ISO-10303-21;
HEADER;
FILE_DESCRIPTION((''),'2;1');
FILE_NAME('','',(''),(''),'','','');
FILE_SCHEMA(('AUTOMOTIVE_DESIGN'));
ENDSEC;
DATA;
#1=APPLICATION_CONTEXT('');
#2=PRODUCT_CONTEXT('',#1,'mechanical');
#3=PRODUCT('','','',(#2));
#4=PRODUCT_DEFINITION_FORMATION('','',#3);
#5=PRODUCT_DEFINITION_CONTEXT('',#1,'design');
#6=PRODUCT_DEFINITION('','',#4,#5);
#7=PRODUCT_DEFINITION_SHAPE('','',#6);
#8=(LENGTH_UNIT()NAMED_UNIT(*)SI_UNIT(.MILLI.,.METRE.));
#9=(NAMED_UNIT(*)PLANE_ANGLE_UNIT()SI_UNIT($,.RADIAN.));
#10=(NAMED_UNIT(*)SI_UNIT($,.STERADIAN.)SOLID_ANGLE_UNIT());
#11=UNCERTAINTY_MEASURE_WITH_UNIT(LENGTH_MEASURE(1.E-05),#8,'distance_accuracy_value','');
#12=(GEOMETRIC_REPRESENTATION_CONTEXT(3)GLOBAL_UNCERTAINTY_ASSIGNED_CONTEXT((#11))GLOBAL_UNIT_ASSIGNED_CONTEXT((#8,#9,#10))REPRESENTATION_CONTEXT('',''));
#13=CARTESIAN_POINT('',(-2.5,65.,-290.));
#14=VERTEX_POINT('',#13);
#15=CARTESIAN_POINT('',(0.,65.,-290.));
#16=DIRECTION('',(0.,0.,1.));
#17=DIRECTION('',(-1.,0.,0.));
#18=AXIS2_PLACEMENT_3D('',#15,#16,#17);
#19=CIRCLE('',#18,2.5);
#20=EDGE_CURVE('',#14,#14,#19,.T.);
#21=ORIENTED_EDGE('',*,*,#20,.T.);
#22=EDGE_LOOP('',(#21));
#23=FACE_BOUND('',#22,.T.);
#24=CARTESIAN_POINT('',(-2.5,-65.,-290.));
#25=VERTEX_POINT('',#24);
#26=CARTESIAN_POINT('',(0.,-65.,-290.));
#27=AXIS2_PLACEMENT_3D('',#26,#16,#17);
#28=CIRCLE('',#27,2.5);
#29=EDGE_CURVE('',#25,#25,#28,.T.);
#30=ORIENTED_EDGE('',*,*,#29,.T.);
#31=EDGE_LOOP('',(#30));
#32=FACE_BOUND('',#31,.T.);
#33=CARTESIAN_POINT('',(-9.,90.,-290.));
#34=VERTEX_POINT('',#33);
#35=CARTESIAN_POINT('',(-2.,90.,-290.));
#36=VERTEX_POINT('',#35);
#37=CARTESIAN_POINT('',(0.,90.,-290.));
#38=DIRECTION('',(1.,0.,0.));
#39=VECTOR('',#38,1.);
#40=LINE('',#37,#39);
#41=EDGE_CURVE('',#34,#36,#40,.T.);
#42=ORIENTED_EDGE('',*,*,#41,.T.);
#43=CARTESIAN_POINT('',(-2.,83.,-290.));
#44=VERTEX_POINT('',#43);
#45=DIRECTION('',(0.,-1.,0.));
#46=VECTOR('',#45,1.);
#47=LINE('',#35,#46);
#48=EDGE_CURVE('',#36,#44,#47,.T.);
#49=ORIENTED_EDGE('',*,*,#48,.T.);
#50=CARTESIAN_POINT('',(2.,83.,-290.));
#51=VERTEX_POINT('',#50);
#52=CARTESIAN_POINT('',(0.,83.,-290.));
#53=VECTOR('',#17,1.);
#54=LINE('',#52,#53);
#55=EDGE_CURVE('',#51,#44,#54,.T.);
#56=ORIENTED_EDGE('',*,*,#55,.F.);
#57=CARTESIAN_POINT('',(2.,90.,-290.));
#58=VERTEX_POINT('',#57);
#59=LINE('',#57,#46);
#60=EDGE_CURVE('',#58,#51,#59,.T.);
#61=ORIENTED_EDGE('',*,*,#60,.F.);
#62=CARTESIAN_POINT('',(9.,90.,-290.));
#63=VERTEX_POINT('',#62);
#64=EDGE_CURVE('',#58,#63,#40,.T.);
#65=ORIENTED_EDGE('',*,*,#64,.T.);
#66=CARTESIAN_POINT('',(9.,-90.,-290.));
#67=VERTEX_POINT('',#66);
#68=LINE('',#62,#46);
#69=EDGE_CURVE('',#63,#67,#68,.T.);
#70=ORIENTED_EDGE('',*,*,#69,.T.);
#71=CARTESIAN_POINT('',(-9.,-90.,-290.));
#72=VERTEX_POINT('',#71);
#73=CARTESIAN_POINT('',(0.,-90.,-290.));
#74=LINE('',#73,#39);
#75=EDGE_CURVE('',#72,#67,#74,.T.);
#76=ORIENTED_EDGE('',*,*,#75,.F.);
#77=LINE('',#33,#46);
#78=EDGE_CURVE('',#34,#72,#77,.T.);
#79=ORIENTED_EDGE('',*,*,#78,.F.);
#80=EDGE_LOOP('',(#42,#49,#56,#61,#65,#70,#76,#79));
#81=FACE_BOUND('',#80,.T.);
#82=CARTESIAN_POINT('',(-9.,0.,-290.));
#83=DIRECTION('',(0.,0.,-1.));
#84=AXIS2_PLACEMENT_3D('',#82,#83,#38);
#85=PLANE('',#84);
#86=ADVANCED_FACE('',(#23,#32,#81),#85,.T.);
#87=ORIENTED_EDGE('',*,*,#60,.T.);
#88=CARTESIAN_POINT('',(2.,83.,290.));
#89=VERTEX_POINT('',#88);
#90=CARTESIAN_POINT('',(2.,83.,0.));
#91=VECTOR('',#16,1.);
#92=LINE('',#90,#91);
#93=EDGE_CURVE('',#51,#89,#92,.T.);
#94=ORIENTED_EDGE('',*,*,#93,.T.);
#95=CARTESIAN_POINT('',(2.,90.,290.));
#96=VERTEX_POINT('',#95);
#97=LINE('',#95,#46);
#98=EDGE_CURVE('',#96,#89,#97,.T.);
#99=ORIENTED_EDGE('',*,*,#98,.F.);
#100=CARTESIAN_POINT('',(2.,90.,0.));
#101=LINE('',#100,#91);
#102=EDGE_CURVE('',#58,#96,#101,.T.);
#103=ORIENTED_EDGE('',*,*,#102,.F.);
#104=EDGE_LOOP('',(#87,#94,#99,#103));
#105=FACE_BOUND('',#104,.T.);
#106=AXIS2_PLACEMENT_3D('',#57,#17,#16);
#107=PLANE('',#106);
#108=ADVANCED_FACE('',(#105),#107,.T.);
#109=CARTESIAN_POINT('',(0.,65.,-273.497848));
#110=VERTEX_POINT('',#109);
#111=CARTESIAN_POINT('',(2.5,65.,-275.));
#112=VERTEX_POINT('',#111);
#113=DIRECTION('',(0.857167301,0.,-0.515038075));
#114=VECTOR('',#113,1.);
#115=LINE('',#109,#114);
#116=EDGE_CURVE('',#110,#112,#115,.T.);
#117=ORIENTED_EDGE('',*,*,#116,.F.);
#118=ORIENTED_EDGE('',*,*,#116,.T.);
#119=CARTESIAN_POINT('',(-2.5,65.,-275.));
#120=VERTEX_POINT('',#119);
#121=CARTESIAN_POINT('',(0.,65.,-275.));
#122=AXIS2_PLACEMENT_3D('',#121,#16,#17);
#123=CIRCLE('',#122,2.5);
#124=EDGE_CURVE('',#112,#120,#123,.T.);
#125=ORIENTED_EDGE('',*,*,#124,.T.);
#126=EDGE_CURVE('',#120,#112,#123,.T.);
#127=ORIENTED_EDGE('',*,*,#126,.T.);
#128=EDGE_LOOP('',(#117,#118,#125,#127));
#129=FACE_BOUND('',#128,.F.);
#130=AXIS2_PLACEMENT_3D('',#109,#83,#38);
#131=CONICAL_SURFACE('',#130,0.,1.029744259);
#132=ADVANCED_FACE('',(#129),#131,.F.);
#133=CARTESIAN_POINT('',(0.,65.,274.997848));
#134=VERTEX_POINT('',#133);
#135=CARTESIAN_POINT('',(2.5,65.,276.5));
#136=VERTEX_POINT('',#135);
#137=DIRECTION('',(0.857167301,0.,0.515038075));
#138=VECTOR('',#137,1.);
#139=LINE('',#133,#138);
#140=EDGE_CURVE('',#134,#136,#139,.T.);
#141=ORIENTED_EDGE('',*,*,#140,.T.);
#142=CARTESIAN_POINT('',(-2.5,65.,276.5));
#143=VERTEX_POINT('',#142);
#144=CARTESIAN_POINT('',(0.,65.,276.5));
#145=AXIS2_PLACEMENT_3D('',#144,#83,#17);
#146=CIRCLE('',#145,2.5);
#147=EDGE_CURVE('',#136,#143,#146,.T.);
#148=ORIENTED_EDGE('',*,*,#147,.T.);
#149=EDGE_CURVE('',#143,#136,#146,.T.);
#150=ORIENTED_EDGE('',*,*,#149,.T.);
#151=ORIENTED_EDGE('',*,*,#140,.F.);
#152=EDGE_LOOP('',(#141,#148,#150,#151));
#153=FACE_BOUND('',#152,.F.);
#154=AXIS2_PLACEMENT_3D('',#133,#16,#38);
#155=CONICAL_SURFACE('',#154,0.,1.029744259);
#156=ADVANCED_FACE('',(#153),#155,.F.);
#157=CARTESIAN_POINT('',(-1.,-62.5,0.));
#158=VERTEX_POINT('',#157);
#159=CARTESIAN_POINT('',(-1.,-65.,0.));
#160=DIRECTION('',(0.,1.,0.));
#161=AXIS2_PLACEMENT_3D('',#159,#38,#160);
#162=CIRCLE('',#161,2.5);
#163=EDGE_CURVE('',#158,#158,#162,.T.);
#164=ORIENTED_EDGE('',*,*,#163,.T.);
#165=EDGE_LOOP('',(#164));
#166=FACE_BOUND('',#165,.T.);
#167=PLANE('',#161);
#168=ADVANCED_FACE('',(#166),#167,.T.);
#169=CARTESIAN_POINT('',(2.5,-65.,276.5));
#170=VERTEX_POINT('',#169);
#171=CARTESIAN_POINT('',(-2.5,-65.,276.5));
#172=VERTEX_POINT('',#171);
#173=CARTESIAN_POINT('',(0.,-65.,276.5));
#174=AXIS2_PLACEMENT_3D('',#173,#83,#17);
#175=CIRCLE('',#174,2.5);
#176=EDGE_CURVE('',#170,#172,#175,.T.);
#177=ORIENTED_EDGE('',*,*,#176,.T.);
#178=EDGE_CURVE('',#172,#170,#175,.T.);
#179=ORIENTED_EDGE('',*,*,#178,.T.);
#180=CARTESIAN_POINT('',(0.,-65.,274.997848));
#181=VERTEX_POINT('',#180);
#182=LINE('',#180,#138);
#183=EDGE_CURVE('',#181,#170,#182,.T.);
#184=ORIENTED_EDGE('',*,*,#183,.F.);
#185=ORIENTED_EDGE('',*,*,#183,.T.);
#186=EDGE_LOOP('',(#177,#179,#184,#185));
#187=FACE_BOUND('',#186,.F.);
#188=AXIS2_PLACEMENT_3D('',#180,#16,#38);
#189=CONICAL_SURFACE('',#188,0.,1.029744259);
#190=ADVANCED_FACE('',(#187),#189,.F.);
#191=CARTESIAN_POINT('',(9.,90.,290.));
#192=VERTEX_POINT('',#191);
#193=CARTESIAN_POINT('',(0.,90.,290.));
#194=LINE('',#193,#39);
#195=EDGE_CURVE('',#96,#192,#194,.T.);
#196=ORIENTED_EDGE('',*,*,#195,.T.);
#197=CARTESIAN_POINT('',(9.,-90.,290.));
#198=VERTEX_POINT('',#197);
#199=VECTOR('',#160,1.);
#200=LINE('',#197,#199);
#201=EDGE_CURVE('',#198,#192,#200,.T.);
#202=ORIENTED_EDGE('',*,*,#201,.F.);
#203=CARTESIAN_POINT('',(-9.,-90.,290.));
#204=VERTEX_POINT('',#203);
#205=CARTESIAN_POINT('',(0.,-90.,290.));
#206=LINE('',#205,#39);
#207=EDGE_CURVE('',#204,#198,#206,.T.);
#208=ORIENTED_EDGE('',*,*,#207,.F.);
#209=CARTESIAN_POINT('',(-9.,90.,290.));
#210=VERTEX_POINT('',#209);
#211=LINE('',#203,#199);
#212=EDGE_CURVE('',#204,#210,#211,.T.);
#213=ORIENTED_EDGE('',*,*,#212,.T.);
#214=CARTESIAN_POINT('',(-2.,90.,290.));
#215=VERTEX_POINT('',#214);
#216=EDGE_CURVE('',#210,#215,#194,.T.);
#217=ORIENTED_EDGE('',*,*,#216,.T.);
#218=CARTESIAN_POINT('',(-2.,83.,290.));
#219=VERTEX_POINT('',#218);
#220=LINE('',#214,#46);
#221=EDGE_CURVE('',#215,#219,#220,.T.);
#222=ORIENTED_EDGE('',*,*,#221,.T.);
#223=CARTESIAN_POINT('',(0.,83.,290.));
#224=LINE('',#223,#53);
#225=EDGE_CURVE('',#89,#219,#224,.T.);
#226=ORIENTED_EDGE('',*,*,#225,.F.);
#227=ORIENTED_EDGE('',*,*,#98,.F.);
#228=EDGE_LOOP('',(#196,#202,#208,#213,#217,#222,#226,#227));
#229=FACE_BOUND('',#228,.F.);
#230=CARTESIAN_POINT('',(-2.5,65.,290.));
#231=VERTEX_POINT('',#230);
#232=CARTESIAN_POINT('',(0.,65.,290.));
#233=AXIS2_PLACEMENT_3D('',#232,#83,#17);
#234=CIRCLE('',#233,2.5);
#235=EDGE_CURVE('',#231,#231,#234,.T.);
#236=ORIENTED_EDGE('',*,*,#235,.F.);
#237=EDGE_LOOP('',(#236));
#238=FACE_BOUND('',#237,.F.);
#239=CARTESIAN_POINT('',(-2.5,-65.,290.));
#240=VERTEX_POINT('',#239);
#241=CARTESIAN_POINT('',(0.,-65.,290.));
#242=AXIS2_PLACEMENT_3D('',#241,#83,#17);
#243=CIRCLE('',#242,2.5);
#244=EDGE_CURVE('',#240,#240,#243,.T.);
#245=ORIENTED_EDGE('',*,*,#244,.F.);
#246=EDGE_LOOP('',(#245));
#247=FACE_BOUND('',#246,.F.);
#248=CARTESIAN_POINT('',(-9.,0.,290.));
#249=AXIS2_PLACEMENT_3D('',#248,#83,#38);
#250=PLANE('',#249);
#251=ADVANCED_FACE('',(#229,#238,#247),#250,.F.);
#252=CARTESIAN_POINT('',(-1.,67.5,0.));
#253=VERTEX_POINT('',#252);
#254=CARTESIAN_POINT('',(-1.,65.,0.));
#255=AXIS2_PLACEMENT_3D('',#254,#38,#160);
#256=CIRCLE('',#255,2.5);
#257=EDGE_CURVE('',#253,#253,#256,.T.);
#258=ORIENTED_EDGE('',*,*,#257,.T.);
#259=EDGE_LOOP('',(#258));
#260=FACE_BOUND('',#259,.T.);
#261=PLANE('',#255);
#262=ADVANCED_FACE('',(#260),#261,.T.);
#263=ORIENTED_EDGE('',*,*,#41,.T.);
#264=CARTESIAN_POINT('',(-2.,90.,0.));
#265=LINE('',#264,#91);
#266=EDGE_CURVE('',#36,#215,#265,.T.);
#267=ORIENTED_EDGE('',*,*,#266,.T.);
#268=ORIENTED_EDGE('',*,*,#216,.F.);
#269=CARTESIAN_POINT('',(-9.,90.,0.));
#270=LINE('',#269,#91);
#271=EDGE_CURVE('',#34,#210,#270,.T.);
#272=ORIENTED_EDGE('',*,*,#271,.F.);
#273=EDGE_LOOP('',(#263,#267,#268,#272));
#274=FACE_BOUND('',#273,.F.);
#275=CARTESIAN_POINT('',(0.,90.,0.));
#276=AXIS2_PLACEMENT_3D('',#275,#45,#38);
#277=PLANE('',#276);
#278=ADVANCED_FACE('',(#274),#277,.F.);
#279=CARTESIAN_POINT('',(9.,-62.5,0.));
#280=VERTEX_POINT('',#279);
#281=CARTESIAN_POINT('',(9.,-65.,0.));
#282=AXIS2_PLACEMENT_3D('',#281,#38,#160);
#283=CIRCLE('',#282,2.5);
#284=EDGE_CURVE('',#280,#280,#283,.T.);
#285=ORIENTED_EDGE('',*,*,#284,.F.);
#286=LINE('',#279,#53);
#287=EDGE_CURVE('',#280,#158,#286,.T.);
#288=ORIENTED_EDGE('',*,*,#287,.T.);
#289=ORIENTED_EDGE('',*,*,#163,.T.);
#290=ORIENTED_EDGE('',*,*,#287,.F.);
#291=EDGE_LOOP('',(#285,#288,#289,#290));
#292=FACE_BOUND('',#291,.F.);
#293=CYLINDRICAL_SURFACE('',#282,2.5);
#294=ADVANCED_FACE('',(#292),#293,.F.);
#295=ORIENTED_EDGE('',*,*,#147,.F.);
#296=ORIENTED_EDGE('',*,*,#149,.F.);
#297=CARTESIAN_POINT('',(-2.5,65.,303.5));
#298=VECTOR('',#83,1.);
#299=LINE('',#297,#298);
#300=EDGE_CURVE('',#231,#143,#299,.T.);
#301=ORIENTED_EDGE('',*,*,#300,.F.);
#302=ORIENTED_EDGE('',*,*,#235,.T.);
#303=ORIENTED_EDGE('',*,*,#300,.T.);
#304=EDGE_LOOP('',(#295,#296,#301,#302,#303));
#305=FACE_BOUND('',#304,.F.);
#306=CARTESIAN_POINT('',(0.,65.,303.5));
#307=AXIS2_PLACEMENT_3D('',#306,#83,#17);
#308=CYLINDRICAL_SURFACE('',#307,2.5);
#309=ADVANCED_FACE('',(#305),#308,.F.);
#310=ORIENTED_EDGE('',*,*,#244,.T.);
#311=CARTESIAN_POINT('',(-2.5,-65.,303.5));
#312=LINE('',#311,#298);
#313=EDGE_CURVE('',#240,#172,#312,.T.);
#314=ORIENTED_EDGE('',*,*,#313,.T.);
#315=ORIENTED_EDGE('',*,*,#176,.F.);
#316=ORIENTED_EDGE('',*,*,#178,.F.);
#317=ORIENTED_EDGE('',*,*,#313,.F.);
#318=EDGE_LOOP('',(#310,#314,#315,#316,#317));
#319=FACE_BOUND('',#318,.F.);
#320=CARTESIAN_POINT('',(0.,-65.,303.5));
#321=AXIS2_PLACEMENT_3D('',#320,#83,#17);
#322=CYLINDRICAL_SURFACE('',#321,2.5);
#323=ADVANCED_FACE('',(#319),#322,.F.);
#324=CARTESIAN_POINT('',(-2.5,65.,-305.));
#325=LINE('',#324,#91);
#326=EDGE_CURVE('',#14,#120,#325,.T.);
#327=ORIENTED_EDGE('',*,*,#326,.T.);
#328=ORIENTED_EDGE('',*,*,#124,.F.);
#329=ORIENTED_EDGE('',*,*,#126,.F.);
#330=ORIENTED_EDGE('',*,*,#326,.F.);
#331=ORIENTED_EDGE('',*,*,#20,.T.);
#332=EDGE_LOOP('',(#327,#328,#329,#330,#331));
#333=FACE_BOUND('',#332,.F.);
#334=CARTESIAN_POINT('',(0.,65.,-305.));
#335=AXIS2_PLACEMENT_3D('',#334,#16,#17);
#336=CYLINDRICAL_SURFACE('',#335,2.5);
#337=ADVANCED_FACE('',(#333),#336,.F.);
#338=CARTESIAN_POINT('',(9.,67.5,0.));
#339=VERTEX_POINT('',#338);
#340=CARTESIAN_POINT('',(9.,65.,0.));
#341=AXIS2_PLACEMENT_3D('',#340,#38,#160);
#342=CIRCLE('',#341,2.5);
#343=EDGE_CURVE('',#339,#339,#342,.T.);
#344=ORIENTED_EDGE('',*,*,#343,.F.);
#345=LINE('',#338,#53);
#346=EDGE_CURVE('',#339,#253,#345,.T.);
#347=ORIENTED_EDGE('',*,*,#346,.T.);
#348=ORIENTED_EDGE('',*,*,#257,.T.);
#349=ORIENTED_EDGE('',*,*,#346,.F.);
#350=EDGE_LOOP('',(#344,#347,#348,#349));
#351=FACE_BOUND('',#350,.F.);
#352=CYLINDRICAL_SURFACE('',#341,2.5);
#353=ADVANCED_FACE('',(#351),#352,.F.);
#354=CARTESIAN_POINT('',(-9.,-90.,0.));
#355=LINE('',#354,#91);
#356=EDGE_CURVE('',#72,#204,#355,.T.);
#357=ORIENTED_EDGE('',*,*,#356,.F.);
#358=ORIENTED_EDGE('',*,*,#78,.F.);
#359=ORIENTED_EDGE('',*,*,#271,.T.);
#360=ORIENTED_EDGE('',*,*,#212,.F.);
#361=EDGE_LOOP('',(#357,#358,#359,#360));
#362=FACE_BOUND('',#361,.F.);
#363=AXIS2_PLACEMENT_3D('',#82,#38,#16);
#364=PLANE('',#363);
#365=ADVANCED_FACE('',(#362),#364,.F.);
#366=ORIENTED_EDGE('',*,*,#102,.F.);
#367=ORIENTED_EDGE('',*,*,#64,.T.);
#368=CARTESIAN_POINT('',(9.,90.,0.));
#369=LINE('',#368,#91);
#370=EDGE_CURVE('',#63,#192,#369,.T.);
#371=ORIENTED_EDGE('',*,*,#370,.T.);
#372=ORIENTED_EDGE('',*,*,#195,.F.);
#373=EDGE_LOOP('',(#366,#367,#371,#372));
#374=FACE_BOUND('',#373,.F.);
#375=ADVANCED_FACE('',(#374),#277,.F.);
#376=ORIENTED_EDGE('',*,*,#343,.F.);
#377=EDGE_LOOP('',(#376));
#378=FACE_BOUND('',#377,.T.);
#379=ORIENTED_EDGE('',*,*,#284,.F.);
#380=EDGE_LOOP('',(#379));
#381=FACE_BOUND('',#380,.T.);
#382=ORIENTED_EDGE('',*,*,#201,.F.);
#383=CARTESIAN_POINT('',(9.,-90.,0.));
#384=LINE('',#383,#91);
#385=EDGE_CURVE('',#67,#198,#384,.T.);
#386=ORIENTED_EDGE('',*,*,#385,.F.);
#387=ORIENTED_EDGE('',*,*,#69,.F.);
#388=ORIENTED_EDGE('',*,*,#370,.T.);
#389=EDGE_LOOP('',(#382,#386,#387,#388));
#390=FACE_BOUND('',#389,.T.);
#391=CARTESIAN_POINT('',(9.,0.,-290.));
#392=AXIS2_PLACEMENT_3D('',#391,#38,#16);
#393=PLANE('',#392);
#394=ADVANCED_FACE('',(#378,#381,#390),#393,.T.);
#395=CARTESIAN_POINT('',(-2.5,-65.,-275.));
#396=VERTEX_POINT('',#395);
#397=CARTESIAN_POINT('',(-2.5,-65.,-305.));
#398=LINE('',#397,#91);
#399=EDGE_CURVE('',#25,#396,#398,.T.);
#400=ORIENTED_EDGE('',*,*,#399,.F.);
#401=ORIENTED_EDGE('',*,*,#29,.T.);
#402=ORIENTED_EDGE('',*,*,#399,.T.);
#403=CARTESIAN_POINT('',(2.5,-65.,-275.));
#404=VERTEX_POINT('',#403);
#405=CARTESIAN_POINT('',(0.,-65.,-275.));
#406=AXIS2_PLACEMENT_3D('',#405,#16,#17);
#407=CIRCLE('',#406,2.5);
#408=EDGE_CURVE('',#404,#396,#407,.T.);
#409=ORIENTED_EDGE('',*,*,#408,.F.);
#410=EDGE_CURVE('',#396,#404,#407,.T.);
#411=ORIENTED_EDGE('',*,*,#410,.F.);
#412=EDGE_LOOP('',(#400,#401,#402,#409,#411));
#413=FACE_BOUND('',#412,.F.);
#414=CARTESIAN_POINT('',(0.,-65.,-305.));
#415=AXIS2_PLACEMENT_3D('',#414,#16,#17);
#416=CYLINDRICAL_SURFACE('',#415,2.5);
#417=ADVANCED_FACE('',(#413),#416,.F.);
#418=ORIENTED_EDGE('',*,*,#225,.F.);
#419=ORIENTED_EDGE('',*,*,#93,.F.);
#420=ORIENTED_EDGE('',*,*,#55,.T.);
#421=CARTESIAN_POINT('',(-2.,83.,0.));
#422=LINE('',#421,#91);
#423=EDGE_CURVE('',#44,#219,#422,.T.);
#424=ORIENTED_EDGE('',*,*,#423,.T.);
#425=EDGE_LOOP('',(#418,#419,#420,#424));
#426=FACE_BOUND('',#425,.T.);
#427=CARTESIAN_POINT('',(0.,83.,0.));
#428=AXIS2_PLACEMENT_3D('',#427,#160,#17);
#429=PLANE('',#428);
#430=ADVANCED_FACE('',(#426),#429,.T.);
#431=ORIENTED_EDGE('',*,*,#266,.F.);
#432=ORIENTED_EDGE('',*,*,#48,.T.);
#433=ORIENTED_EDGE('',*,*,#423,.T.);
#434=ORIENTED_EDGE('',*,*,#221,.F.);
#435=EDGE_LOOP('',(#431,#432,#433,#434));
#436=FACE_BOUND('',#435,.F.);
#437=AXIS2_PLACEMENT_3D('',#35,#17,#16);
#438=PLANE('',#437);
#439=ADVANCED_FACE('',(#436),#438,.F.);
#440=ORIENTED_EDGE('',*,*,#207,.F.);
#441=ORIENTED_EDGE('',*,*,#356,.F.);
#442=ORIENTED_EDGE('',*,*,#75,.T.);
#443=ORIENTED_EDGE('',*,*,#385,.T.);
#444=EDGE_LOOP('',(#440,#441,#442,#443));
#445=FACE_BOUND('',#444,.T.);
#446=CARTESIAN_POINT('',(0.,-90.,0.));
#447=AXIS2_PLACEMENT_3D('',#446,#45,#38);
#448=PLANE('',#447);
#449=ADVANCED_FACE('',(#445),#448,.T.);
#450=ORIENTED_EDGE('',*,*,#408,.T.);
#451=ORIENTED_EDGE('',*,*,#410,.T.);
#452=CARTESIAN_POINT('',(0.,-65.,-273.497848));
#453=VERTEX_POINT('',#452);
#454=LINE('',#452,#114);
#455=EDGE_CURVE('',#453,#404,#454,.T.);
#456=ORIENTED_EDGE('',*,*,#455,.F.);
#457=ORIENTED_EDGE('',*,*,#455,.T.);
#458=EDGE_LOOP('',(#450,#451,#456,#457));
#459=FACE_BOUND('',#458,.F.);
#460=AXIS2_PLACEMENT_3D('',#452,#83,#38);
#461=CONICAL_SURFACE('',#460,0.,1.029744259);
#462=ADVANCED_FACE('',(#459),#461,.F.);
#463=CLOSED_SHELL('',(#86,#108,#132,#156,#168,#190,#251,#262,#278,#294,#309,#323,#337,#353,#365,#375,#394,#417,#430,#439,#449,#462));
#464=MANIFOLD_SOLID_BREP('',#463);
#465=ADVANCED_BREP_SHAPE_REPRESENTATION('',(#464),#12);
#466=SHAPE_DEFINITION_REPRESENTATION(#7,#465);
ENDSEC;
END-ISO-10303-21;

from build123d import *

# Parameters (mm, degrees)
F0_W      = 18
F0_H      = 580
F1_DEPTH  = 90
F3_D      = 5
F3_DEPTH  = 13.5
F3_TIP    = 1.5021515476
F5_D      = 5
F5_DEPTH  = 15
F5_TIP    = 1.5021515476
F6_W      = 180
F6_H      = 580
F6_R      = 2.5
F7_DEPTH  = 10
F8_R      = 2.5
F9_DEPTH  = 10
F10_W     = 4
F10_H     = 580
F11_DEPTH = 7


with BuildPart() as f1:
    # F0 (on Front) → F1 (new body, symmetric)
    with BuildSketch(Plane.XZ):
        Rectangle(F0_W, F0_H)
    extrude(amount=F1_DEPTH, both=True)

    # F3
    with Locations(Plane.XY.offset(290)):
        with Locations((0, 65), (0, -65)):
            Hole(F3_D / 2, depth=F3_DEPTH)
            with Locations((0, 0, -(F3_DEPTH + F3_TIP / 2))):  # 118° drill point
                Cone(0, F3_D / 2, F3_TIP, mode=Mode.SUBTRACT)

    # F5
    with Locations(Plane(origin=(0, 0, -290), x_dir=(1, 0, 0), z_dir=(0, 0, -1))):
        with Locations((0, 65), (0, -65)):
            Hole(F5_D / 2, depth=F5_DEPTH)
            with Locations((0, 0, -(F5_DEPTH + F5_TIP / 2))):  # 118° drill point
                Cone(0, F5_D / 2, F5_TIP, mode=Mode.SUBTRACT)

    # F6 (on face) → F7 (cut)
    with BuildSketch(Plane.YZ.offset(9)):
        Rectangle(F6_W, F6_H)
        with Locations((-60, 0)):
            Circle(F6_R, mode=Mode.SUBTRACT)
        with Locations((60, 0)):
            Circle(F6_R, mode=Mode.SUBTRACT)
    extrude(amount=F7_DEPTH, mode=Mode.SUBTRACT)

    # F8 (on face) → F9 (cut)
    with BuildSketch(Plane.YZ.offset(9)):
        with Locations((-65, 0)):
            Circle(F8_R)
        with Locations((65, 0)):
            Circle(F8_R)
    extrude(amount=-F9_DEPTH, mode=Mode.SUBTRACT)

    # F10 (on face) → F11 (cut)
    with BuildSketch(Plane(origin=(0, 90, 0), x_dir=(-1, 0, 0), z_dir=(0, 1, 0))):
        Rectangle(F10_W, F10_H)
    extrude(amount=-F11_DEPTH, mode=Mode.SUBTRACT)


solid = f1.part
